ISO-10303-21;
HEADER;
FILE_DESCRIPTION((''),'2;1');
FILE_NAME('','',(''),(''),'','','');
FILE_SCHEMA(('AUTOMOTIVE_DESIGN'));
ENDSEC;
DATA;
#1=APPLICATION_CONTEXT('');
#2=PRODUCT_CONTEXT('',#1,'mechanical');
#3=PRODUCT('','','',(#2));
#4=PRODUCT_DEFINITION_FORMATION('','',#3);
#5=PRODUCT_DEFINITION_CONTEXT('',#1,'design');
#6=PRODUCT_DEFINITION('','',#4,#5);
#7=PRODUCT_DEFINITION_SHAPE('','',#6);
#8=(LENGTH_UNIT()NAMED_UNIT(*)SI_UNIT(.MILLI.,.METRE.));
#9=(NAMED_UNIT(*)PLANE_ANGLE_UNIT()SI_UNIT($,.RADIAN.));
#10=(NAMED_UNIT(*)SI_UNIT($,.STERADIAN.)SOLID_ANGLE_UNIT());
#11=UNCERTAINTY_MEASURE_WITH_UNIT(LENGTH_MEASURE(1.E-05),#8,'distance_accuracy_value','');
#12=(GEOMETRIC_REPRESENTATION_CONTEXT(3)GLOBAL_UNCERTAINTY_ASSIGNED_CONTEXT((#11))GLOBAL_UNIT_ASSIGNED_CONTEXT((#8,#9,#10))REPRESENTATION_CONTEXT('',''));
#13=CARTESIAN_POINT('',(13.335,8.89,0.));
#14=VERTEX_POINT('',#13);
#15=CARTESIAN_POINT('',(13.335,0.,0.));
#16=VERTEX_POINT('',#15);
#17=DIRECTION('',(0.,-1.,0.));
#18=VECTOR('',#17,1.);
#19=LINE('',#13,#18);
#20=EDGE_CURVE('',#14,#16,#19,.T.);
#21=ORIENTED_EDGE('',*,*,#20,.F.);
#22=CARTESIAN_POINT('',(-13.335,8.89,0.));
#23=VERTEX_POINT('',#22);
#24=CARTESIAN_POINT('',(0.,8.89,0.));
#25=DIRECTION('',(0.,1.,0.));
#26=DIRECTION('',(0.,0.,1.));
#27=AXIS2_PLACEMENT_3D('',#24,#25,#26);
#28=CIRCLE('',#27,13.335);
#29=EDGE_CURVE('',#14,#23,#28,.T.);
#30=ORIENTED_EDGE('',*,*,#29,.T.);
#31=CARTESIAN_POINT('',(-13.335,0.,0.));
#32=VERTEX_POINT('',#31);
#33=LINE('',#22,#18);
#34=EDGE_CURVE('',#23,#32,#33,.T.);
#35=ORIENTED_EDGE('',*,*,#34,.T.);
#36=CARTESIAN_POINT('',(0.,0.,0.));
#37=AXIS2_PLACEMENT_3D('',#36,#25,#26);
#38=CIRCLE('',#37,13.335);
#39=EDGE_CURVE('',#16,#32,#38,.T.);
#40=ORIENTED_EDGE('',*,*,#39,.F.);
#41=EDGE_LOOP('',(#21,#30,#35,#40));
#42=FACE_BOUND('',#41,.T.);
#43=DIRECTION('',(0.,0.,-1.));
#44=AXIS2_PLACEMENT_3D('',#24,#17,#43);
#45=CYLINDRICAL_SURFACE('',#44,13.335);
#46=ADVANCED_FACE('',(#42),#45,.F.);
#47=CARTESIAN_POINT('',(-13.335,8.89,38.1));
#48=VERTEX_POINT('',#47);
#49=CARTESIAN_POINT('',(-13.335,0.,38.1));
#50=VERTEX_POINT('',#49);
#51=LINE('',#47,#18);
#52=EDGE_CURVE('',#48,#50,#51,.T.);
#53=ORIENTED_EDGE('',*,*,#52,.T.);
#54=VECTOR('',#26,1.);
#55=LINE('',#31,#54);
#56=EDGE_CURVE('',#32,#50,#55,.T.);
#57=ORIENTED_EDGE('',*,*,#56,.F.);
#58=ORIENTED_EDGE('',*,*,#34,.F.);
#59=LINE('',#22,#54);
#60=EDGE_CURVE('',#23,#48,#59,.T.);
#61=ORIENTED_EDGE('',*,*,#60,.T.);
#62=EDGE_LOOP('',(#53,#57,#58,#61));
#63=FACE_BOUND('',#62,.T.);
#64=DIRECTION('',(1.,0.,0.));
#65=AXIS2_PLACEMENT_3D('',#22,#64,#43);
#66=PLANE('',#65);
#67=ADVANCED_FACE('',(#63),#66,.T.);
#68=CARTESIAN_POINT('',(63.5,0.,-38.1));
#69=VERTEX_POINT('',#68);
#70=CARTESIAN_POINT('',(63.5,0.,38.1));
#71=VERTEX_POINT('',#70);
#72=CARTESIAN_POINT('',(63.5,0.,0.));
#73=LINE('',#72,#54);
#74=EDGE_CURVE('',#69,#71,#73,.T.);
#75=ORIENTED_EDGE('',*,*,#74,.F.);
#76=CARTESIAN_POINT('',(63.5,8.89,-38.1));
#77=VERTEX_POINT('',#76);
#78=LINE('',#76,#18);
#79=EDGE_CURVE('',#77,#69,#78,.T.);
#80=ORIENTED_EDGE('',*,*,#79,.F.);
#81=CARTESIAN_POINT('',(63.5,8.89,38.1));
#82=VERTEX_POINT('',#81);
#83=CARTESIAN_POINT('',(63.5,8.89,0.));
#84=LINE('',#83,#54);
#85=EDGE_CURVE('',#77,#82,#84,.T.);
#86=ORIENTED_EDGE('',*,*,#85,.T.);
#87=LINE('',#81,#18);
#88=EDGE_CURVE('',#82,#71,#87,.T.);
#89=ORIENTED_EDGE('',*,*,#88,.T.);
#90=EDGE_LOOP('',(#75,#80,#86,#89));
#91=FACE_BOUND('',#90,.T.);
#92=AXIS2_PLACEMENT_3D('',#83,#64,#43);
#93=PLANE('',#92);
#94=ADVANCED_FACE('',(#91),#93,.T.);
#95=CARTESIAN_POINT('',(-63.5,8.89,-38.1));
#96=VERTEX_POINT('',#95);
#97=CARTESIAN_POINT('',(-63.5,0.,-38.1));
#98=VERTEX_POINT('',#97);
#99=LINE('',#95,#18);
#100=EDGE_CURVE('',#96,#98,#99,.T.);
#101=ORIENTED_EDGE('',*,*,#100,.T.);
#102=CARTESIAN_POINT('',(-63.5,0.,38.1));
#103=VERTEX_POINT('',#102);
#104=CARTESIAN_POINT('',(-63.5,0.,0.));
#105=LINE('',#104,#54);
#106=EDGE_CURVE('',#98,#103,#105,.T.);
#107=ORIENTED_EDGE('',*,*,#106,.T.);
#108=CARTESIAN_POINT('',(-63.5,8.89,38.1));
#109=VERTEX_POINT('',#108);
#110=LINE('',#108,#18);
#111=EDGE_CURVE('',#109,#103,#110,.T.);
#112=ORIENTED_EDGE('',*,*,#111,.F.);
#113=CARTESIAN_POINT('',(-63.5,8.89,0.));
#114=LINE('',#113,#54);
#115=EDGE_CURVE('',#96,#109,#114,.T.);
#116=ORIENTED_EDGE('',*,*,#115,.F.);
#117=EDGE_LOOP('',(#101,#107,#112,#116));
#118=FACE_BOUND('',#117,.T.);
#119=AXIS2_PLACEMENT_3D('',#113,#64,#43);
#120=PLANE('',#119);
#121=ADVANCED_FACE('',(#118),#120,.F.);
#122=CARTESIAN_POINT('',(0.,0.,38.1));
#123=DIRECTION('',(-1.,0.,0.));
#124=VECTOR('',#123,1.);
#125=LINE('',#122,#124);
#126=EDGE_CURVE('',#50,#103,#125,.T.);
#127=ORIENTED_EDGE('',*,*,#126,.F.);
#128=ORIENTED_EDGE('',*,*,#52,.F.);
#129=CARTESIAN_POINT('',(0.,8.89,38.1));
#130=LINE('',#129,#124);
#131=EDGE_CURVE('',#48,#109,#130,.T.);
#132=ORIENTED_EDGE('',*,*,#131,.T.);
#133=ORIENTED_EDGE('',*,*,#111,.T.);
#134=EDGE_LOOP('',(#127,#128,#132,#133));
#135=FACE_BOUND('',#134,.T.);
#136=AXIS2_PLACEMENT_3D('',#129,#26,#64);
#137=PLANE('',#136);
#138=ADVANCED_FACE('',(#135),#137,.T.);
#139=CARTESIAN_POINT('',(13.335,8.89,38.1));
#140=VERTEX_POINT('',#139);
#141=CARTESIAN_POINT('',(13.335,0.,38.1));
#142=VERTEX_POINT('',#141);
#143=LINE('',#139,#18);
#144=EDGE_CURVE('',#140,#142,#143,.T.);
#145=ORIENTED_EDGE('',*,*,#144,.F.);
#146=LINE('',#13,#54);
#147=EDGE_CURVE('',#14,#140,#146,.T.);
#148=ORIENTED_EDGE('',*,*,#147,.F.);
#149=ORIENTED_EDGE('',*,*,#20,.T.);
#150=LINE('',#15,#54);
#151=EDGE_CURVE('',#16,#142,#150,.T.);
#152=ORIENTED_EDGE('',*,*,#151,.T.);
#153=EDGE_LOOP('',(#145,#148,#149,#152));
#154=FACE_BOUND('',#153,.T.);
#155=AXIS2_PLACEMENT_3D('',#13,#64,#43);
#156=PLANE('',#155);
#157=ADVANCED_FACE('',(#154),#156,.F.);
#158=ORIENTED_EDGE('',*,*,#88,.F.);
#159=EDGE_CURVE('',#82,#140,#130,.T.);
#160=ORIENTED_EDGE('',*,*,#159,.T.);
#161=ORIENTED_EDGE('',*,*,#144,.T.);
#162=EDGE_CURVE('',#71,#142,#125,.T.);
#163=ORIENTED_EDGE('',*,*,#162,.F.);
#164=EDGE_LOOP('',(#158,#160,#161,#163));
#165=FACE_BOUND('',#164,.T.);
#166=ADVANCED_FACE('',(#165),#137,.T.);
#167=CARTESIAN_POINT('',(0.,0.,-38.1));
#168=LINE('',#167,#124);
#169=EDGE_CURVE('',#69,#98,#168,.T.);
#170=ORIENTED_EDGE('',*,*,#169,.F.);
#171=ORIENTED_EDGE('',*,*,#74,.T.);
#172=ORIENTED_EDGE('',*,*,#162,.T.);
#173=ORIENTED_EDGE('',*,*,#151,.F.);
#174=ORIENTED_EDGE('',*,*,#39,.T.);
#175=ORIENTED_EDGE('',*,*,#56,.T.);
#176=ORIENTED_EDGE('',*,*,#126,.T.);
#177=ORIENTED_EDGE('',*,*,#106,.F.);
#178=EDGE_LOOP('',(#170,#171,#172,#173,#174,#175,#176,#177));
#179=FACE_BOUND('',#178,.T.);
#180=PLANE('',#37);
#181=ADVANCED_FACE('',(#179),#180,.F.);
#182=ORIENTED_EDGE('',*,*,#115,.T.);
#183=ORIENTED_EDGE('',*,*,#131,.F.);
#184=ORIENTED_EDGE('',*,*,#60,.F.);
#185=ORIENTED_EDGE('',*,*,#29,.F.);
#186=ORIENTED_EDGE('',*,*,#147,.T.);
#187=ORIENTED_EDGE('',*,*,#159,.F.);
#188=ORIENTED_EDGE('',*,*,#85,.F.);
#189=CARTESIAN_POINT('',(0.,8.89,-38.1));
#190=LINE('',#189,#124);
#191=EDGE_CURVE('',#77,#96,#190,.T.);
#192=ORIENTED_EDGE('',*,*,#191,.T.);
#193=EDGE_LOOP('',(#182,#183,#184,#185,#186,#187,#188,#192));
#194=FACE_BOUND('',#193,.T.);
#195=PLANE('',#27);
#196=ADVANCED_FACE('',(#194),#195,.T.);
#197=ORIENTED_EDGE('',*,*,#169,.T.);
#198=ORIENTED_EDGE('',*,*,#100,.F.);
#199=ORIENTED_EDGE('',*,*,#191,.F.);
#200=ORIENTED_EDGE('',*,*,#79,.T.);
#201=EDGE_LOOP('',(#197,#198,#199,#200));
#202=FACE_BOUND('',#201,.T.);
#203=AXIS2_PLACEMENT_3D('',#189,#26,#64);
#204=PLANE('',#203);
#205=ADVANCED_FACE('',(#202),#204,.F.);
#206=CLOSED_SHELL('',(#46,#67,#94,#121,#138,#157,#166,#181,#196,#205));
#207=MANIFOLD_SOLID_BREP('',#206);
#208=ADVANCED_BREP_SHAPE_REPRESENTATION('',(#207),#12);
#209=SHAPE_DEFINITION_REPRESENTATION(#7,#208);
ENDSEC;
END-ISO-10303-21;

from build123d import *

# Parameters (mm, degrees)
BOSS_EXTRUDE1_DEPTH = 8.89


with BuildPart() as part:
    # Sketch1 → Boss-Extrude1 (new body)
    with BuildSketch(Plane(origin=(0, 0, 0), x_dir=(1, 0, 0), z_dir=(0, 1, 0))):
        with BuildLine():
            Line((-13.335, -38.1), (-13.335, 0))
            ThreePointArc((-13.335, 0), (0, 13.335), (13.335, 0))
            Line((13.335, 0), (13.335, -38.1))
            Line((13.335, -38.1), (63.5, -38.1))
            Line((63.5, -38.1), (63.5, 38.1))
            Line((63.5, 38.1), (-63.5, 38.1))
            Line((-63.5, 38.1), (-63.5, -38.1))
            Line((-63.5, -38.1), (-13.335, -38.1))
        make_face()
    extrude(amount=BOSS_EXTRUDE1_DEPTH)


solid = part.part
